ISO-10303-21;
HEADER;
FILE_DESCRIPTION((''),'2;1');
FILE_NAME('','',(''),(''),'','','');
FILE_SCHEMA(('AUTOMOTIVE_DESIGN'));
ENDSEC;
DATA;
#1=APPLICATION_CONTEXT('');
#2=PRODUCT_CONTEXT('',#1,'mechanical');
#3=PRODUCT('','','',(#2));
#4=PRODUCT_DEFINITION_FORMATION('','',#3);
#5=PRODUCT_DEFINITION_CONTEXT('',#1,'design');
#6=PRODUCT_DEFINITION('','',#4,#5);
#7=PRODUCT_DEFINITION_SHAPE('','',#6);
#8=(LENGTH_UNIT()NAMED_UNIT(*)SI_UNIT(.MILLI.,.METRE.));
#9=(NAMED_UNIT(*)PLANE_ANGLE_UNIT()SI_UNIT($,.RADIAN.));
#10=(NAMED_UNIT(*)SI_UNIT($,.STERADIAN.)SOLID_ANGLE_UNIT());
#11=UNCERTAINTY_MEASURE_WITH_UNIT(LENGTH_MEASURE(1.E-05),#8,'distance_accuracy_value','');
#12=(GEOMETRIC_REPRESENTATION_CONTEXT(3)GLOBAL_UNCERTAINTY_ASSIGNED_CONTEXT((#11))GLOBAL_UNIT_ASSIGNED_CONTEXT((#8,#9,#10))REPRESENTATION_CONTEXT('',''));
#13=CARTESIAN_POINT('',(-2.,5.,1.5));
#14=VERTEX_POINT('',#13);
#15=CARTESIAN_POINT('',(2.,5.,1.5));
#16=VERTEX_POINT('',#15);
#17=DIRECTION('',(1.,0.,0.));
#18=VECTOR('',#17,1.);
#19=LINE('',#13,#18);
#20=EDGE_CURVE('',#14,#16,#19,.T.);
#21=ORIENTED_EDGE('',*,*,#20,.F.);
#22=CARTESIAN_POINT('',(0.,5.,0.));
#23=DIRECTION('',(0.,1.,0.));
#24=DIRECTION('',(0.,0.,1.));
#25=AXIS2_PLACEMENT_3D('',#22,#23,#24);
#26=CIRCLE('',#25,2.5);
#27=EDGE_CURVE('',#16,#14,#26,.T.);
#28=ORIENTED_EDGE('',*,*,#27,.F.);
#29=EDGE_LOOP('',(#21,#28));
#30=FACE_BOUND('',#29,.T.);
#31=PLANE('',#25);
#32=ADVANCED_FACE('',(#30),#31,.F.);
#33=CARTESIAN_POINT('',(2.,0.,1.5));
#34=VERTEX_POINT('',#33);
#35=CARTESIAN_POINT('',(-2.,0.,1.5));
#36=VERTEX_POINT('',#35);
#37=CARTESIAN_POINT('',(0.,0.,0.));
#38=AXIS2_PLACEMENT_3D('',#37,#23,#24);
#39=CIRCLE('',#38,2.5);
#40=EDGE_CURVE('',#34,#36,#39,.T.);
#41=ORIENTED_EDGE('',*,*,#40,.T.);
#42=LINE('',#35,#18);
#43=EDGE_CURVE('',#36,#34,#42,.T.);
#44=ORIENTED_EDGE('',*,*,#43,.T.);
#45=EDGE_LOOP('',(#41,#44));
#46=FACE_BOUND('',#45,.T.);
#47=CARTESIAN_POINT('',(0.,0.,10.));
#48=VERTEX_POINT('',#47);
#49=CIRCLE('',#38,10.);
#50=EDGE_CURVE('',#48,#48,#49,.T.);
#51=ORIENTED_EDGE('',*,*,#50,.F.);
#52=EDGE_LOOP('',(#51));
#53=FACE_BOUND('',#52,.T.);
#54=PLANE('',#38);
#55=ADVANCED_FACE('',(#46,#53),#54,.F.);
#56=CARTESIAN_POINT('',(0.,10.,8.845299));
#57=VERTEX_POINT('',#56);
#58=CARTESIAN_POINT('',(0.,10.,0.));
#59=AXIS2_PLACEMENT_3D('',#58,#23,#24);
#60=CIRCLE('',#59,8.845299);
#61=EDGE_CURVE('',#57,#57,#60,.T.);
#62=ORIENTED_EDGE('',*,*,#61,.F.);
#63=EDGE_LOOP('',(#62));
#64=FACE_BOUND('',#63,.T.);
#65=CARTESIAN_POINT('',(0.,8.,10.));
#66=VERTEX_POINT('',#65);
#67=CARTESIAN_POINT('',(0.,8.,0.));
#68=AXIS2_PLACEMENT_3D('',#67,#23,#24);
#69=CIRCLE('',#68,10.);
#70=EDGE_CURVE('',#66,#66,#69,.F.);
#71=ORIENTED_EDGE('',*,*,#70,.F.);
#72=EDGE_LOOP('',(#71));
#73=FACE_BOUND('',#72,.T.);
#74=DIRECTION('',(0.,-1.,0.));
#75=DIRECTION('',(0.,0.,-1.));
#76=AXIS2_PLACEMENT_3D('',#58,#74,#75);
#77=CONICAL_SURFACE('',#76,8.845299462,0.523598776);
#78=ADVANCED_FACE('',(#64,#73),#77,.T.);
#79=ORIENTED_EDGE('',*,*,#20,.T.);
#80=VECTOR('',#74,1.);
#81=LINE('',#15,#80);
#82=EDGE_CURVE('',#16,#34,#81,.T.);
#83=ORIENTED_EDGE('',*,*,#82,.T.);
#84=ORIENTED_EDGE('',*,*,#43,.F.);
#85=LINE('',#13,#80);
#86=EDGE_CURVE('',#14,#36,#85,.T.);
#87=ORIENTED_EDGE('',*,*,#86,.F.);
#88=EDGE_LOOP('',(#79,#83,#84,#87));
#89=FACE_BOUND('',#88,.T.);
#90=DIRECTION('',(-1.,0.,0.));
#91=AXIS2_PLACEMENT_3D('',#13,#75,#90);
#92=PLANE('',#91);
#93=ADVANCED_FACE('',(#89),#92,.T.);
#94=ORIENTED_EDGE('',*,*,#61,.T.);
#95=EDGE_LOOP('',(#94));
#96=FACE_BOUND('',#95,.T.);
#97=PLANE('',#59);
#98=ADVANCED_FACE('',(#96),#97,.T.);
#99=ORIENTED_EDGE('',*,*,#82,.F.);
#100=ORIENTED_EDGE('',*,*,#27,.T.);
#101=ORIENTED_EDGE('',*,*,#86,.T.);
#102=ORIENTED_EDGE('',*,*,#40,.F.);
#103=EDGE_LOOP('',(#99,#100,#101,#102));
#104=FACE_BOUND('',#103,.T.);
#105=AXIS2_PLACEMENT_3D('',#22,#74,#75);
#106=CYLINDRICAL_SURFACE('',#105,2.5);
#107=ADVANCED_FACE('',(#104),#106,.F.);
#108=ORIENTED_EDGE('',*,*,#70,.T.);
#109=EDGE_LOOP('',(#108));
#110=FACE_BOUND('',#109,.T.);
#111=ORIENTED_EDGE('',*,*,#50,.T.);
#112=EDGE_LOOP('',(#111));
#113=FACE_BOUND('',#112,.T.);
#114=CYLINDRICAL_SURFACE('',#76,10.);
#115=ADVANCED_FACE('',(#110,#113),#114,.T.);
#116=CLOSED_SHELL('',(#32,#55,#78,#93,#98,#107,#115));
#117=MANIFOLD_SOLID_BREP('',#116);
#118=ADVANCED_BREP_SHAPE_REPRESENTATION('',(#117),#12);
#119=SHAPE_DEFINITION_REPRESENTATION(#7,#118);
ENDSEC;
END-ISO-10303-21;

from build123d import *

# Parameters (mm, degrees)
SKETCH_148_R          = 10
EXTRUDE_195_DEPTH     = 10
CUT_EXTRUDE_296_DEPTH = 5
CHAMFER_1_SIZE        = 2
CHAMFER_1_SIZE2       = 1.154700538


with BuildPart() as part:
    # Sketch 148 → Extrude 195 (new body)
    with BuildSketch(Plane(origin=(0, 0, 0), x_dir=(1, 0, 0), z_dir=(0, 1, 0))):
        with Locations(Location((0, 0, 0), (0, 0, 270))):
            Circle(SKETCH_148_R)
    extrude(amount=EXTRUDE_195_DEPTH)

    # Sketch 234 → Cut-Extrude 296 (cut)
    with BuildSketch(Plane(origin=(0, 0, 0), x_dir=(1, 0, 0), z_dir=(0, 1, 0))):
        with BuildLine():
            Line((-2, -1.5), (2, -1.5))
            ThreePointArc((2, -1.5), (0, 2.5), (-2, -1.5))
        make_face()
    extrude(amount=CUT_EXTRUDE_296_DEPTH, mode=Mode.SUBTRACT)

    # Фаска1
    chamfer_1_edges = [part.edges().sort_by_distance(p)[0] for p in [
        (0, 10, -10),
    ]]
    chamfer_1_side = [part.faces().sort_by_distance(p)[0] for p in [
        (0, 5, -10),
    ]]
    chamfer(chamfer_1_edges, length=CHAMFER_1_SIZE, length2=CHAMFER_1_SIZE2, reference=chamfer_1_side[0])


solid = part.part
